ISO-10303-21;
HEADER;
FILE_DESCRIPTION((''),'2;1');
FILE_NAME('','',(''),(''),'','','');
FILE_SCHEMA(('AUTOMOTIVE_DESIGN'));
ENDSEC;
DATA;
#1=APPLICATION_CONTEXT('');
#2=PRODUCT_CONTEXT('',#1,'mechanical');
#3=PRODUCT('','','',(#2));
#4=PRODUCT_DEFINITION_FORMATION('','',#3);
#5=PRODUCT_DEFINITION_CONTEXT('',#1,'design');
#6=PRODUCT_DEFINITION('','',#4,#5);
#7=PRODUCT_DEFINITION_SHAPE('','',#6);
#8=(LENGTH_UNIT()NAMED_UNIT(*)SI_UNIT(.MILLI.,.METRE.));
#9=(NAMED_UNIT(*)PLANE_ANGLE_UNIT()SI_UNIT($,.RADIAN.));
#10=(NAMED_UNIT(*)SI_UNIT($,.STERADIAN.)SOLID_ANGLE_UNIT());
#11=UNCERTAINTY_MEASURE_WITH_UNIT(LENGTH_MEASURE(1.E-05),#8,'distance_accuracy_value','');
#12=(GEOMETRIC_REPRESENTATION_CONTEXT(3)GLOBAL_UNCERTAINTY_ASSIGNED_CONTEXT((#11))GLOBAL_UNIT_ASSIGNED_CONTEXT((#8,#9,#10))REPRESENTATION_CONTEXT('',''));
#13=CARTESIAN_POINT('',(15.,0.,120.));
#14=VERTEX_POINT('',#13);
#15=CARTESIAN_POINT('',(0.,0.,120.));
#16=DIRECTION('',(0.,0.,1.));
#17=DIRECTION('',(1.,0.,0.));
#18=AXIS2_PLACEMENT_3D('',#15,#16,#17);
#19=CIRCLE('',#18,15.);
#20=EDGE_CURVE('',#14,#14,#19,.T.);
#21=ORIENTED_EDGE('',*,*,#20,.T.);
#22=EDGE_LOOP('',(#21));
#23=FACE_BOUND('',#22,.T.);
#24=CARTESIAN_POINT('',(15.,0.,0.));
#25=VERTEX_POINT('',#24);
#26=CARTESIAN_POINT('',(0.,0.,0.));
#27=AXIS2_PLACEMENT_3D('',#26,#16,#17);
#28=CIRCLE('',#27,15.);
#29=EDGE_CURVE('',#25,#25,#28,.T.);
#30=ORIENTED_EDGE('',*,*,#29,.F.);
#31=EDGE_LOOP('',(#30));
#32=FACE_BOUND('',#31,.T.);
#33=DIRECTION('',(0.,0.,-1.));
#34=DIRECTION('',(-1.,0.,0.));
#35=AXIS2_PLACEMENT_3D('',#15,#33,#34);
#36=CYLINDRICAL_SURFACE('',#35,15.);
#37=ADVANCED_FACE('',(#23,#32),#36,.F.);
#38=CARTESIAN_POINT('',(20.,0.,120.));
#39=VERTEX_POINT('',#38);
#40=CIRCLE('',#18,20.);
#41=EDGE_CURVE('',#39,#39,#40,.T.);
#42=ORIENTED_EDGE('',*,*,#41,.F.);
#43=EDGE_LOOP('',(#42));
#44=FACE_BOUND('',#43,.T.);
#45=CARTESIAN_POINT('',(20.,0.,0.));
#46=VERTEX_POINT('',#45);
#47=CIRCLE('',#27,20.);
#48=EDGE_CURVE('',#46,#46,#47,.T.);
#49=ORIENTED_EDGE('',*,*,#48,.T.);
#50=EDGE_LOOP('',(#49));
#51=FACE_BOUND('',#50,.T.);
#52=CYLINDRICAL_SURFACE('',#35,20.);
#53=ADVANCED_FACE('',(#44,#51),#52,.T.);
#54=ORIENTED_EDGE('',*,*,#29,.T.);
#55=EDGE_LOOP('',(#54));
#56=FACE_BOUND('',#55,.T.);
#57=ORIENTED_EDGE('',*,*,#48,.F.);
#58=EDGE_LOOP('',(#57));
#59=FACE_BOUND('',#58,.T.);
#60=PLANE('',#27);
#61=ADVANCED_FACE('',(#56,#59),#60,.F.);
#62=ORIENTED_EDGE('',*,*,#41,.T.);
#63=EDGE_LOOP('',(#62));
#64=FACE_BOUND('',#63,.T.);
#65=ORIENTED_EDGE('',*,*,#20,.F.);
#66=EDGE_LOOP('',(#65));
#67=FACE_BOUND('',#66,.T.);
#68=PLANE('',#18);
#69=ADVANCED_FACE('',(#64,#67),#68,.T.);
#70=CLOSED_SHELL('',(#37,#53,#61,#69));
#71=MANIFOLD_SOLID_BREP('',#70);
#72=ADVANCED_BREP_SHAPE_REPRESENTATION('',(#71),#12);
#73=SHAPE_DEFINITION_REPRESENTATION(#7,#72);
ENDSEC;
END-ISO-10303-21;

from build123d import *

# Parameters (mm, degrees)
CROQUIS1_R              = 20
CROQUIS1_R_2            = 15
SALIENTE_EXTRUIR1_DEPTH = 120


with BuildPart() as part:
    # Croquis1 → Saliente-Extruir1 (new body)
    with BuildSketch(Plane.XY):
        Circle(CROQUIS1_R)
        Circle(CROQUIS1_R_2, mode=Mode.SUBTRACT)
    extrude(amount=SALIENTE_EXTRUIR1_DEPTH)


solid = part.part
